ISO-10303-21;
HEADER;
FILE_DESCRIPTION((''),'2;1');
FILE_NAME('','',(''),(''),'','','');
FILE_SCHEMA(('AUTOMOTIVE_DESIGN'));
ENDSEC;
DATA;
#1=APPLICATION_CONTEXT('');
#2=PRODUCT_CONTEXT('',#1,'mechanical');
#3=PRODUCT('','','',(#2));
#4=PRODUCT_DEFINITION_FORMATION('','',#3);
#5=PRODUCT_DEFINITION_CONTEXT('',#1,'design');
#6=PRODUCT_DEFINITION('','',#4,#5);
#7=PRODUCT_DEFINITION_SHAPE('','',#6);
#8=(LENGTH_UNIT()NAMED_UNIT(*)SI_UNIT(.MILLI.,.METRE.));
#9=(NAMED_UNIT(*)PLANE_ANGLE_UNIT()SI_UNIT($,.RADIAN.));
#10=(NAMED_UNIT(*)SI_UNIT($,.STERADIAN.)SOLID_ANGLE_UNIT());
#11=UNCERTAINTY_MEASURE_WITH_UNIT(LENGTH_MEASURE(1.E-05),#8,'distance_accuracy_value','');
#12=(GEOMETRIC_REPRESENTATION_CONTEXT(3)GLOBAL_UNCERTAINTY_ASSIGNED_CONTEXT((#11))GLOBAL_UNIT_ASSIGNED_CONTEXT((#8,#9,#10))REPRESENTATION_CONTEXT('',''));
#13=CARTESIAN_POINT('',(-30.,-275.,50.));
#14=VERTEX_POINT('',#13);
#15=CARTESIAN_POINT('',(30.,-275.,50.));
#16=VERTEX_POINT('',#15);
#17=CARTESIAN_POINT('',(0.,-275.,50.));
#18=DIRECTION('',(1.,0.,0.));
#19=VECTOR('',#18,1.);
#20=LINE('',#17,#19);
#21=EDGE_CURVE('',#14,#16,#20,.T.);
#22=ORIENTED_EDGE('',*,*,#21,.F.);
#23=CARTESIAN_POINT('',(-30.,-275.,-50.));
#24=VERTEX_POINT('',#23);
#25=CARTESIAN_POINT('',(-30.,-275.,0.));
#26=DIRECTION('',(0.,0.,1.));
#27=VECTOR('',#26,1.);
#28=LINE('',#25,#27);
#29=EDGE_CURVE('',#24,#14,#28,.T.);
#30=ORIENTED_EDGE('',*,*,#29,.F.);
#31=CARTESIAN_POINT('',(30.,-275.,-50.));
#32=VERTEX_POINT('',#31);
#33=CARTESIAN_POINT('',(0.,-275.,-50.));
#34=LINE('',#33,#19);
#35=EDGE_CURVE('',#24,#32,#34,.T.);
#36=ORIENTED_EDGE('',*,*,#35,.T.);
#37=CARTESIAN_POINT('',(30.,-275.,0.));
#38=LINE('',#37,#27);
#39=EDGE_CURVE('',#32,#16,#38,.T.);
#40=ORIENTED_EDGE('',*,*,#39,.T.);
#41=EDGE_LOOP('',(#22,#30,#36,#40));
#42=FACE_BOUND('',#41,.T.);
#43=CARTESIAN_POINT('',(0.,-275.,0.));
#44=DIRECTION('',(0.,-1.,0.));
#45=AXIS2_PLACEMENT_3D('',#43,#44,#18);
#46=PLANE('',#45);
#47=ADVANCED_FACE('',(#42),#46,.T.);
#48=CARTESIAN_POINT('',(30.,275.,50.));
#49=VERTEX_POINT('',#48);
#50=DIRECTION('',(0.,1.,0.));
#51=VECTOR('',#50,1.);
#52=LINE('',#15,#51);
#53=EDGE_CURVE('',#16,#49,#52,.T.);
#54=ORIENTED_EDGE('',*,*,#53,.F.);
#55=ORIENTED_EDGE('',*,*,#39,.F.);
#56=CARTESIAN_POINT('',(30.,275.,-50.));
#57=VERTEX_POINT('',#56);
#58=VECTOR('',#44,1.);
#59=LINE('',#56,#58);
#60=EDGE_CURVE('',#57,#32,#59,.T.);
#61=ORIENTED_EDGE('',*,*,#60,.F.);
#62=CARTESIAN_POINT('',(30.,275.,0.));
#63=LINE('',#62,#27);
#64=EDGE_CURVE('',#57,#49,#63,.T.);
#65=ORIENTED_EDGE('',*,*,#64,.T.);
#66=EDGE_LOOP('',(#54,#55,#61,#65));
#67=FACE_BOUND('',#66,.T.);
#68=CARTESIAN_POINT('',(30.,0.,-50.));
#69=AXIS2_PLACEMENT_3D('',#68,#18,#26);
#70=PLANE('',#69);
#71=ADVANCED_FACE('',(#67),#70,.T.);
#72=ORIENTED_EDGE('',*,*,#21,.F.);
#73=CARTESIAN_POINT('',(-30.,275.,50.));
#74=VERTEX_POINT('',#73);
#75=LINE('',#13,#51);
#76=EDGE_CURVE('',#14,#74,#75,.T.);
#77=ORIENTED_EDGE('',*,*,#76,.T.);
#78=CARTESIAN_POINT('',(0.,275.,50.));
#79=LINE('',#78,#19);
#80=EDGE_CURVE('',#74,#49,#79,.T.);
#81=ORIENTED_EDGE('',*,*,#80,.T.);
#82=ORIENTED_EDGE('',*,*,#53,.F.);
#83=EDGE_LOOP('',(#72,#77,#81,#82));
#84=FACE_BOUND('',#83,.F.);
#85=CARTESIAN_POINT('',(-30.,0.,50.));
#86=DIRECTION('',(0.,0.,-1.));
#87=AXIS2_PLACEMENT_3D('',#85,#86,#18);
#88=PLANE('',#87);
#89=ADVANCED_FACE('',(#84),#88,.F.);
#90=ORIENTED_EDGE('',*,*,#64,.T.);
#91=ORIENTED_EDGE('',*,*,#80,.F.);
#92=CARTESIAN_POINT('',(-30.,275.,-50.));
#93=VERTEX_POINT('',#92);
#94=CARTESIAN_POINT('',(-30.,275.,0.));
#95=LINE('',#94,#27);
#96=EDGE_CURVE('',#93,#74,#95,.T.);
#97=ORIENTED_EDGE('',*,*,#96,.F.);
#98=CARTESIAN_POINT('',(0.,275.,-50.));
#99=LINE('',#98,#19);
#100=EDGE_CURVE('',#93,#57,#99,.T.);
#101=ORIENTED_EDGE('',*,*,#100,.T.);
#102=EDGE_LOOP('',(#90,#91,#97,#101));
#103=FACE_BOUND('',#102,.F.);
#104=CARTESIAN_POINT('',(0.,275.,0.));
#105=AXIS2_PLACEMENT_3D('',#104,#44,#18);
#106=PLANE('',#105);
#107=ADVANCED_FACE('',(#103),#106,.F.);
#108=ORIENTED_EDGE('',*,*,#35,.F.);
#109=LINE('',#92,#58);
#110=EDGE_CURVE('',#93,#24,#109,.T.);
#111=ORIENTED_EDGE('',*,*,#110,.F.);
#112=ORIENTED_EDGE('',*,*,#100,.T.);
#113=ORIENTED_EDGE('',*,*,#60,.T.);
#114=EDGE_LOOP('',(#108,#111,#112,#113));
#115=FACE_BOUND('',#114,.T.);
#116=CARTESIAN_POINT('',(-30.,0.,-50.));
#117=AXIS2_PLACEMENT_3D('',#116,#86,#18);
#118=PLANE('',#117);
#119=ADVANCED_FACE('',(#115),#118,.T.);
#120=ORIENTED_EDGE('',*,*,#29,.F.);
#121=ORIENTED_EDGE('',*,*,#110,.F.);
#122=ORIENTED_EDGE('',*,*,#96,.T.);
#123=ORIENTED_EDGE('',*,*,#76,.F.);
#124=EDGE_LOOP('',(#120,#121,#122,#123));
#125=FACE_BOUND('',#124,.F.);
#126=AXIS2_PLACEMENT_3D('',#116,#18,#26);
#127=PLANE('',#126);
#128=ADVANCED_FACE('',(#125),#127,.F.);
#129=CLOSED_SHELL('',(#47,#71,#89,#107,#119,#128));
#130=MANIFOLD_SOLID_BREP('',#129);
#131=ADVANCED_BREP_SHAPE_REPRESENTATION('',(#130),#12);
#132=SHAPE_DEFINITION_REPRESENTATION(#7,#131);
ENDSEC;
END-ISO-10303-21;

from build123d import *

# Parameters (mm, degrees)
SKETCH_W  = 60
SKETCH_H  = 100
PAD_DEPTH = 275


with BuildPart() as part:
    # Sketch → Pad (new body, symmetric)
    with BuildSketch(Plane.XZ):
        Rectangle(SKETCH_W, SKETCH_H)
    extrude(amount=PAD_DEPTH, both=True)


solid = part.part
